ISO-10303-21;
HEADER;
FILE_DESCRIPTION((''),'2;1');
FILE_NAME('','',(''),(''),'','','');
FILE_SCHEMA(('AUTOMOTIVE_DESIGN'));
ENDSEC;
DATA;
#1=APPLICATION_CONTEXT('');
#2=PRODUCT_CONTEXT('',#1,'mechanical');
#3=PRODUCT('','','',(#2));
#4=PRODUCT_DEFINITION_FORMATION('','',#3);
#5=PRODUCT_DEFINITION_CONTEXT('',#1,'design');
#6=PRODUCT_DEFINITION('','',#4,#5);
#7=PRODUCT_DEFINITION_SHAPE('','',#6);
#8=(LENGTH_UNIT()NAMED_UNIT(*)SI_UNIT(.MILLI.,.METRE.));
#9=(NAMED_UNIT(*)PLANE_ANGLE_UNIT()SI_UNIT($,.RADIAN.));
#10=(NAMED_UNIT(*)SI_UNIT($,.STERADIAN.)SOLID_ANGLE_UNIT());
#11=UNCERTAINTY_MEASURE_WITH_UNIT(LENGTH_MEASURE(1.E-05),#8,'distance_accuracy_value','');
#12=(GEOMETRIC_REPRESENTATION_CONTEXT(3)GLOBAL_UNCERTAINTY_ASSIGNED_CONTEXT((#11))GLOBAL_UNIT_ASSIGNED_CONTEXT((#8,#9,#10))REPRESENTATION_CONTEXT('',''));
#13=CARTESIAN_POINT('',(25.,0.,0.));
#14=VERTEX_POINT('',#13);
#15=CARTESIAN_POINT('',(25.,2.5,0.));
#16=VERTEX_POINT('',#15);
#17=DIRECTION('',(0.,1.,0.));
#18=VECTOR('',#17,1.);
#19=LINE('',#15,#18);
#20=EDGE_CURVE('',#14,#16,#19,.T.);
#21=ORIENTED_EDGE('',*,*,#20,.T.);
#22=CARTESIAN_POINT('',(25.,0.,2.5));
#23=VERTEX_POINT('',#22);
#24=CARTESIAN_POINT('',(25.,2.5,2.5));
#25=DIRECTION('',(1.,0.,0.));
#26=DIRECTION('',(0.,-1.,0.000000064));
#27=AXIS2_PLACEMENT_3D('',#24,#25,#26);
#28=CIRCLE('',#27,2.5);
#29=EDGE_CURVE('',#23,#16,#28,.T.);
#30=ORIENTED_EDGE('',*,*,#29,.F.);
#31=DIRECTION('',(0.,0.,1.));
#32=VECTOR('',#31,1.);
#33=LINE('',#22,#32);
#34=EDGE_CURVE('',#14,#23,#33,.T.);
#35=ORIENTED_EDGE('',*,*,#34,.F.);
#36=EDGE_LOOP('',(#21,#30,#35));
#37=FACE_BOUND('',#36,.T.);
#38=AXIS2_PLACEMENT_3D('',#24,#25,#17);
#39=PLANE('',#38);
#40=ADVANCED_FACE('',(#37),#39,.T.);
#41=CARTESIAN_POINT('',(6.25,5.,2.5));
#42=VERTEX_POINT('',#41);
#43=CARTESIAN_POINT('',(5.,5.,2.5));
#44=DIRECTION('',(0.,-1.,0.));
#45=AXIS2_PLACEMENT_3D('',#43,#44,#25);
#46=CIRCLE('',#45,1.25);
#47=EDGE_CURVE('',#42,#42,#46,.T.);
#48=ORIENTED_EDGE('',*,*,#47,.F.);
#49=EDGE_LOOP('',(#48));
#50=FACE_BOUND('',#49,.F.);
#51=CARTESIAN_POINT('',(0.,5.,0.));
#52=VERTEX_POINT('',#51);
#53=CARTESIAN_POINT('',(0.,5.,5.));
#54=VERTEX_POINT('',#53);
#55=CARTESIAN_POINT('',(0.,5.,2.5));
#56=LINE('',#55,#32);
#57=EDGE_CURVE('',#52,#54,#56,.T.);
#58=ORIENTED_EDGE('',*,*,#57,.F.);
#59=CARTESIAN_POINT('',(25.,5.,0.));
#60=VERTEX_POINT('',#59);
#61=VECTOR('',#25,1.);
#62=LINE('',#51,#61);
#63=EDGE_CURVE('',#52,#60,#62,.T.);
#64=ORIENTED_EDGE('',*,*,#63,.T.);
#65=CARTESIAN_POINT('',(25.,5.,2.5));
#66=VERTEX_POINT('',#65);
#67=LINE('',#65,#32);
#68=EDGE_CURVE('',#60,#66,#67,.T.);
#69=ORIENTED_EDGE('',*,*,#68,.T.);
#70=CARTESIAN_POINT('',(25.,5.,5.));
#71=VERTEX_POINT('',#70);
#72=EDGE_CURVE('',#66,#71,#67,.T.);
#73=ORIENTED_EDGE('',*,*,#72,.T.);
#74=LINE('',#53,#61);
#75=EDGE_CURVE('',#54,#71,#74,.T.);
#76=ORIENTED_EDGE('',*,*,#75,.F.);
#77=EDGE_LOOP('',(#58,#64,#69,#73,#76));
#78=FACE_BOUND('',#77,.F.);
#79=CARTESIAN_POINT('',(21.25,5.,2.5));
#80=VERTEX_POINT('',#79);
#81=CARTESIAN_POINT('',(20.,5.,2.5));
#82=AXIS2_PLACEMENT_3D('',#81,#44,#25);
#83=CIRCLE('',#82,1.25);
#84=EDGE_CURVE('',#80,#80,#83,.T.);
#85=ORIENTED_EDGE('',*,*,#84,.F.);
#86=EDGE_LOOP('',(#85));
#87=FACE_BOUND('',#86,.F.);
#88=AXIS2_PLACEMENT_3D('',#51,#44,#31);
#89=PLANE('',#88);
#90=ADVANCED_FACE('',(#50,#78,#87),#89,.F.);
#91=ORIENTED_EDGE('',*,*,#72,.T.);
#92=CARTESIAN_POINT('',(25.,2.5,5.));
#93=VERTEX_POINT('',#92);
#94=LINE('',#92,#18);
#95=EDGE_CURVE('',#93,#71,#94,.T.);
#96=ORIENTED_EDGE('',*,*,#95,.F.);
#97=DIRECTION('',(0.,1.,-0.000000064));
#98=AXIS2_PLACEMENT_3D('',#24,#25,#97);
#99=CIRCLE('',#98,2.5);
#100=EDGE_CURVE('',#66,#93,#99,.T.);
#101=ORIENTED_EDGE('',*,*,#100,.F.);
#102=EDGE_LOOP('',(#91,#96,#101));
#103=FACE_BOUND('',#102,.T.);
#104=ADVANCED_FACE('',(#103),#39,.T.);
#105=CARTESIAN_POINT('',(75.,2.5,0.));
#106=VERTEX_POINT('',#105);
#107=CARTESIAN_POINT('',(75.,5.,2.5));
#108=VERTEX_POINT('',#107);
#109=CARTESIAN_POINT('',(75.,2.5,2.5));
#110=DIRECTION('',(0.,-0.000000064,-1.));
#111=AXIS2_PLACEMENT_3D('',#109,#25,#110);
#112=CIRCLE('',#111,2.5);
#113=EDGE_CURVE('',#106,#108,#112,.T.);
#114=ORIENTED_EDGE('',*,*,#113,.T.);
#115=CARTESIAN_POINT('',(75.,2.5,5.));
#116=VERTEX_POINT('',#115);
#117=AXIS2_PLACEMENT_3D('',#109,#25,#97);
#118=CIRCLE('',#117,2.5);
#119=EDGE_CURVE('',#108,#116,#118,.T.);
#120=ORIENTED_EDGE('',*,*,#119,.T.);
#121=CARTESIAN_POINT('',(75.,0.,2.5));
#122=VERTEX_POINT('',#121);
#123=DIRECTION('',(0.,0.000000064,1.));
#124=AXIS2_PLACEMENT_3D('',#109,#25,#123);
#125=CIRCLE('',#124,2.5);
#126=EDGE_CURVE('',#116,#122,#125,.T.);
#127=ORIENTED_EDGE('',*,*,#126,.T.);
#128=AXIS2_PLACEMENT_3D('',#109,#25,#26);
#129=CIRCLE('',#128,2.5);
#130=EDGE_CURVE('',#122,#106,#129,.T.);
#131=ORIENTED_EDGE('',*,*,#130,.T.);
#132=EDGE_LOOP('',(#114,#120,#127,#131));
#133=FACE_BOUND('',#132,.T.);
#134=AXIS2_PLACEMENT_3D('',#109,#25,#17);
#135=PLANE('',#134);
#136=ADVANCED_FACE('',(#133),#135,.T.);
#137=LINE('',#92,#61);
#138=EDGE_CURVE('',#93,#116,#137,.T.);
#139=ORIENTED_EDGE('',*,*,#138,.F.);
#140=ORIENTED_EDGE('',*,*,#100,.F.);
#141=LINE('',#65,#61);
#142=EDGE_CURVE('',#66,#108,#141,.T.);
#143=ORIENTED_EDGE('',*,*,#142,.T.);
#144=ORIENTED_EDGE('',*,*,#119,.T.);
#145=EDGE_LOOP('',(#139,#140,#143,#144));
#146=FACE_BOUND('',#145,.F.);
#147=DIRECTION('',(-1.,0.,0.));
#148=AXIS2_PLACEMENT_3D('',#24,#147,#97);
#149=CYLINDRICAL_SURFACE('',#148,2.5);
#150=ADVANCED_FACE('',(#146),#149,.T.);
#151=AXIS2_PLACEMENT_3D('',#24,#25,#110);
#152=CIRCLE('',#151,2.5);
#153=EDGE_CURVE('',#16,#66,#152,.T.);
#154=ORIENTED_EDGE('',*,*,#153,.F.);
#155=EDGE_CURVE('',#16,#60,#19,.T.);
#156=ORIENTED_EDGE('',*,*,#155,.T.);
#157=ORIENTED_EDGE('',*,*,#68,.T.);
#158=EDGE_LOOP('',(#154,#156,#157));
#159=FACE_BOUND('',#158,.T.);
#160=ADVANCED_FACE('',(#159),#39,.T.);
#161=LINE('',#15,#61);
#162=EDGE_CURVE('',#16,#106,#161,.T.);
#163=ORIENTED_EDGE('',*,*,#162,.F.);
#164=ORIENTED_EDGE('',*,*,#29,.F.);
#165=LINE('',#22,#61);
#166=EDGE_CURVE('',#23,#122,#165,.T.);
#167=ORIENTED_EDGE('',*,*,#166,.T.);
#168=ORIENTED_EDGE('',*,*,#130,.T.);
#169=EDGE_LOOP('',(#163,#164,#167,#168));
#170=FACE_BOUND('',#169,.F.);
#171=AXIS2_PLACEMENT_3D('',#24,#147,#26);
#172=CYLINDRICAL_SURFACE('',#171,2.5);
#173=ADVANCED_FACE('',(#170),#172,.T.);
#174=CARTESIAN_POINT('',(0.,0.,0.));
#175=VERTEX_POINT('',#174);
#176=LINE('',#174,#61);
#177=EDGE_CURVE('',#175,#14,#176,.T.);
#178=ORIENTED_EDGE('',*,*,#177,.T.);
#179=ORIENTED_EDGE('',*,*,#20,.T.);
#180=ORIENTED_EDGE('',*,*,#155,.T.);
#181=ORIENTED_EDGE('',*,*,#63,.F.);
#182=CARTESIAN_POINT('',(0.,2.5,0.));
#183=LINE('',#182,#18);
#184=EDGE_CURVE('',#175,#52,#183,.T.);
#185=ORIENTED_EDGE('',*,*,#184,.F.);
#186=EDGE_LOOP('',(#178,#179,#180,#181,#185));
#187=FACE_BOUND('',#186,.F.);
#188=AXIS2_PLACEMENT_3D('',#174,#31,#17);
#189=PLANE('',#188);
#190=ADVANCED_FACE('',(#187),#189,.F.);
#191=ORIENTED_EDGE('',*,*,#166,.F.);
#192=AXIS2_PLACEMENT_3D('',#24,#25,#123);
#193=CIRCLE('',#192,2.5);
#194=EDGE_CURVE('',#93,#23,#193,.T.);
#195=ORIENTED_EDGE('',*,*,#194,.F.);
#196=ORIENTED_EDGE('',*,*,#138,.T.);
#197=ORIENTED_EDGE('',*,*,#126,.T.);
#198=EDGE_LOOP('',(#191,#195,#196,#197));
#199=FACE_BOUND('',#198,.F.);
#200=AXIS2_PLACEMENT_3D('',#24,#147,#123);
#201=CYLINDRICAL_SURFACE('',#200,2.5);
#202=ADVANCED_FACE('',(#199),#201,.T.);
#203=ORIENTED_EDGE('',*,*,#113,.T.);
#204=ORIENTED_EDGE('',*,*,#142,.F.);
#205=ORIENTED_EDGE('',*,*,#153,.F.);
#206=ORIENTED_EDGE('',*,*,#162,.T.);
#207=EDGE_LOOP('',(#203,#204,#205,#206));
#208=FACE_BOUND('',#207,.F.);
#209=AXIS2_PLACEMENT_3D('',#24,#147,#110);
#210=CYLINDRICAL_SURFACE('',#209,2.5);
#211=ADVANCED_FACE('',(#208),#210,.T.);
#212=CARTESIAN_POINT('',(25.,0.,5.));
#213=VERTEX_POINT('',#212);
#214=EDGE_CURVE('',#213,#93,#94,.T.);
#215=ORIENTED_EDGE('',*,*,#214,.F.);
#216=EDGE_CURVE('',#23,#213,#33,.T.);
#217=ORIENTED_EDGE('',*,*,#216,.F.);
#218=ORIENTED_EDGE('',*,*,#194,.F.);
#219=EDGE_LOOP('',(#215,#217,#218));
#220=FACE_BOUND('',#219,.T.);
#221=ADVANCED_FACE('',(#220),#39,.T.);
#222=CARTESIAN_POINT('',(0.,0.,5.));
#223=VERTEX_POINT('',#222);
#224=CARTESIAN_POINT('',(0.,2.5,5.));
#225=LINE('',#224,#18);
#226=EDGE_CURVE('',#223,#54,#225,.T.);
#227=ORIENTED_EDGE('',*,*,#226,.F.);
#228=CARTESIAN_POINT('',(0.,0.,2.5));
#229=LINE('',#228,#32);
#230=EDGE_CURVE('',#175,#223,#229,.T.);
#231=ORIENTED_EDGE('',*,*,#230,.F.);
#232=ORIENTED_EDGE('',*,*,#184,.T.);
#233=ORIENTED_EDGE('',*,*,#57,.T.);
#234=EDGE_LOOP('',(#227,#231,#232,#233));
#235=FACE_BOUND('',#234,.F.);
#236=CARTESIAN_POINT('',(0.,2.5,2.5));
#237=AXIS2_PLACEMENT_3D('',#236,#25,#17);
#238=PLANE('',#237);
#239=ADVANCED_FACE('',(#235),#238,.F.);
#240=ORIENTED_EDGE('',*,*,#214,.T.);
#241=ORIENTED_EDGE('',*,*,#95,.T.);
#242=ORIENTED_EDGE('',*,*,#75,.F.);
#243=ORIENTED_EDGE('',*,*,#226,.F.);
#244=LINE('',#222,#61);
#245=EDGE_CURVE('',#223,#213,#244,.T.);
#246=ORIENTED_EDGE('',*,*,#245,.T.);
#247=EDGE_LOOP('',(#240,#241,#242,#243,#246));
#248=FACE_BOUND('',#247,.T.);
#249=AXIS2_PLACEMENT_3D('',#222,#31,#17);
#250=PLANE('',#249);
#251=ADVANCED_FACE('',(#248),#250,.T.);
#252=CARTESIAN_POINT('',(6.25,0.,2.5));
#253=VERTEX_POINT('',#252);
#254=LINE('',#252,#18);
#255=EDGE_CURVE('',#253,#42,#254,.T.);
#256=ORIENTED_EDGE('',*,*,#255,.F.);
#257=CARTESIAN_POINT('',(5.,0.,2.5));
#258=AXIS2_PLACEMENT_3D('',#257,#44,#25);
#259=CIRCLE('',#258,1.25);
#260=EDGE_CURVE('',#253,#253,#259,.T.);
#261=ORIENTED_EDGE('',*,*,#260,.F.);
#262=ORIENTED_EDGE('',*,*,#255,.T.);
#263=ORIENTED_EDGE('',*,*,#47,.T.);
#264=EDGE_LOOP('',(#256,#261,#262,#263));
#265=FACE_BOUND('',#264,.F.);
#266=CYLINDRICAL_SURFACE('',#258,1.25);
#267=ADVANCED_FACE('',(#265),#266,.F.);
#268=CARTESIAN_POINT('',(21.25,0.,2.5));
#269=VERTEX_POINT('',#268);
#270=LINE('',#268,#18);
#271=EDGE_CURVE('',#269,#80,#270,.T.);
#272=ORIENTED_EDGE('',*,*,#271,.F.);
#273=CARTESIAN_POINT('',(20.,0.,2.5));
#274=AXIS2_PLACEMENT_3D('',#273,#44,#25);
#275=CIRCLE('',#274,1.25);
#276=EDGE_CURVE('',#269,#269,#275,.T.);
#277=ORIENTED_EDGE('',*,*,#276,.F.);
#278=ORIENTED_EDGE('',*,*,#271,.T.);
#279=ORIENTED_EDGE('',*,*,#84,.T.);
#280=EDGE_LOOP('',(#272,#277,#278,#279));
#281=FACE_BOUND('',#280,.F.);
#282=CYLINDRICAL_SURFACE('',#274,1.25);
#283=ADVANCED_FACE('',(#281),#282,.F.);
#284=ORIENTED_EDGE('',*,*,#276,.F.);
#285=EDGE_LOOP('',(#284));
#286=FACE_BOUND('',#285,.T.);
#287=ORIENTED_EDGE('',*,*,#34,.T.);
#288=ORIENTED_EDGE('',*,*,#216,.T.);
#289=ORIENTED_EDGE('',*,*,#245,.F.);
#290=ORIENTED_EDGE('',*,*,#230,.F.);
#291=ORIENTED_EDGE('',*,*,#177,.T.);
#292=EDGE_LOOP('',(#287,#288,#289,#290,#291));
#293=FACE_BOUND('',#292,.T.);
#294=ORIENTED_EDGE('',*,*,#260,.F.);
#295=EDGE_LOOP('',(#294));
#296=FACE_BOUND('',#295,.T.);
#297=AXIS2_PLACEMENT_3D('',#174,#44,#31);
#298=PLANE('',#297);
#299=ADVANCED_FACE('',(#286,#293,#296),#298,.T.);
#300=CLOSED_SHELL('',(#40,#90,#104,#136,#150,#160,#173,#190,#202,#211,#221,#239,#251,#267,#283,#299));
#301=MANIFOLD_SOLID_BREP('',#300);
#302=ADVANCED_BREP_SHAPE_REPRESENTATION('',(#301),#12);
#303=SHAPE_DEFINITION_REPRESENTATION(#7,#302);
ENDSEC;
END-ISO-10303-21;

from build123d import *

# Parameters (mm, degrees)
F0_W     = 5
F0_H     = 5
F1_DEPTH = 25
F3_DEPTH = 50
F4_R     = 1.25
F5_DEPTH = 25


with BuildPart() as f1:
    # F0 (on Right) → F1 (new body)
    with BuildSketch(Plane.YZ):
        with Locations((2.5, 2.5)):
            Rectangle(F0_W, F0_H)
    extrude(amount=F1_DEPTH)

    # F2 (on face) → F3 (join)
    with BuildSketch(Plane.YZ.offset(25)):
        with BuildLine():
            ThreePointArc((2.5, 0), (4.267767, 0.732233), (5, 2.5))
            ThreePointArc((5, 2.5), (4.267767, 4.267767), (2.5, 5))
            ThreePointArc((2.5, 5), (0.732233, 4.267767), (0, 2.5))
            ThreePointArc((0, 2.5), (0.732233, 0.732233), (2.5, 0))
        make_face()
    extrude(amount=F3_DEPTH)

    # F4 (on face) → F5 (cut)
    with BuildSketch(Plane.XZ):
        with Locations((5, 2.5)):
            Circle(F4_R)
        with Locations((20, 2.5)):
            Circle(F4_R)
    extrude(amount=-F5_DEPTH, mode=Mode.SUBTRACT)


solid = f1.part
